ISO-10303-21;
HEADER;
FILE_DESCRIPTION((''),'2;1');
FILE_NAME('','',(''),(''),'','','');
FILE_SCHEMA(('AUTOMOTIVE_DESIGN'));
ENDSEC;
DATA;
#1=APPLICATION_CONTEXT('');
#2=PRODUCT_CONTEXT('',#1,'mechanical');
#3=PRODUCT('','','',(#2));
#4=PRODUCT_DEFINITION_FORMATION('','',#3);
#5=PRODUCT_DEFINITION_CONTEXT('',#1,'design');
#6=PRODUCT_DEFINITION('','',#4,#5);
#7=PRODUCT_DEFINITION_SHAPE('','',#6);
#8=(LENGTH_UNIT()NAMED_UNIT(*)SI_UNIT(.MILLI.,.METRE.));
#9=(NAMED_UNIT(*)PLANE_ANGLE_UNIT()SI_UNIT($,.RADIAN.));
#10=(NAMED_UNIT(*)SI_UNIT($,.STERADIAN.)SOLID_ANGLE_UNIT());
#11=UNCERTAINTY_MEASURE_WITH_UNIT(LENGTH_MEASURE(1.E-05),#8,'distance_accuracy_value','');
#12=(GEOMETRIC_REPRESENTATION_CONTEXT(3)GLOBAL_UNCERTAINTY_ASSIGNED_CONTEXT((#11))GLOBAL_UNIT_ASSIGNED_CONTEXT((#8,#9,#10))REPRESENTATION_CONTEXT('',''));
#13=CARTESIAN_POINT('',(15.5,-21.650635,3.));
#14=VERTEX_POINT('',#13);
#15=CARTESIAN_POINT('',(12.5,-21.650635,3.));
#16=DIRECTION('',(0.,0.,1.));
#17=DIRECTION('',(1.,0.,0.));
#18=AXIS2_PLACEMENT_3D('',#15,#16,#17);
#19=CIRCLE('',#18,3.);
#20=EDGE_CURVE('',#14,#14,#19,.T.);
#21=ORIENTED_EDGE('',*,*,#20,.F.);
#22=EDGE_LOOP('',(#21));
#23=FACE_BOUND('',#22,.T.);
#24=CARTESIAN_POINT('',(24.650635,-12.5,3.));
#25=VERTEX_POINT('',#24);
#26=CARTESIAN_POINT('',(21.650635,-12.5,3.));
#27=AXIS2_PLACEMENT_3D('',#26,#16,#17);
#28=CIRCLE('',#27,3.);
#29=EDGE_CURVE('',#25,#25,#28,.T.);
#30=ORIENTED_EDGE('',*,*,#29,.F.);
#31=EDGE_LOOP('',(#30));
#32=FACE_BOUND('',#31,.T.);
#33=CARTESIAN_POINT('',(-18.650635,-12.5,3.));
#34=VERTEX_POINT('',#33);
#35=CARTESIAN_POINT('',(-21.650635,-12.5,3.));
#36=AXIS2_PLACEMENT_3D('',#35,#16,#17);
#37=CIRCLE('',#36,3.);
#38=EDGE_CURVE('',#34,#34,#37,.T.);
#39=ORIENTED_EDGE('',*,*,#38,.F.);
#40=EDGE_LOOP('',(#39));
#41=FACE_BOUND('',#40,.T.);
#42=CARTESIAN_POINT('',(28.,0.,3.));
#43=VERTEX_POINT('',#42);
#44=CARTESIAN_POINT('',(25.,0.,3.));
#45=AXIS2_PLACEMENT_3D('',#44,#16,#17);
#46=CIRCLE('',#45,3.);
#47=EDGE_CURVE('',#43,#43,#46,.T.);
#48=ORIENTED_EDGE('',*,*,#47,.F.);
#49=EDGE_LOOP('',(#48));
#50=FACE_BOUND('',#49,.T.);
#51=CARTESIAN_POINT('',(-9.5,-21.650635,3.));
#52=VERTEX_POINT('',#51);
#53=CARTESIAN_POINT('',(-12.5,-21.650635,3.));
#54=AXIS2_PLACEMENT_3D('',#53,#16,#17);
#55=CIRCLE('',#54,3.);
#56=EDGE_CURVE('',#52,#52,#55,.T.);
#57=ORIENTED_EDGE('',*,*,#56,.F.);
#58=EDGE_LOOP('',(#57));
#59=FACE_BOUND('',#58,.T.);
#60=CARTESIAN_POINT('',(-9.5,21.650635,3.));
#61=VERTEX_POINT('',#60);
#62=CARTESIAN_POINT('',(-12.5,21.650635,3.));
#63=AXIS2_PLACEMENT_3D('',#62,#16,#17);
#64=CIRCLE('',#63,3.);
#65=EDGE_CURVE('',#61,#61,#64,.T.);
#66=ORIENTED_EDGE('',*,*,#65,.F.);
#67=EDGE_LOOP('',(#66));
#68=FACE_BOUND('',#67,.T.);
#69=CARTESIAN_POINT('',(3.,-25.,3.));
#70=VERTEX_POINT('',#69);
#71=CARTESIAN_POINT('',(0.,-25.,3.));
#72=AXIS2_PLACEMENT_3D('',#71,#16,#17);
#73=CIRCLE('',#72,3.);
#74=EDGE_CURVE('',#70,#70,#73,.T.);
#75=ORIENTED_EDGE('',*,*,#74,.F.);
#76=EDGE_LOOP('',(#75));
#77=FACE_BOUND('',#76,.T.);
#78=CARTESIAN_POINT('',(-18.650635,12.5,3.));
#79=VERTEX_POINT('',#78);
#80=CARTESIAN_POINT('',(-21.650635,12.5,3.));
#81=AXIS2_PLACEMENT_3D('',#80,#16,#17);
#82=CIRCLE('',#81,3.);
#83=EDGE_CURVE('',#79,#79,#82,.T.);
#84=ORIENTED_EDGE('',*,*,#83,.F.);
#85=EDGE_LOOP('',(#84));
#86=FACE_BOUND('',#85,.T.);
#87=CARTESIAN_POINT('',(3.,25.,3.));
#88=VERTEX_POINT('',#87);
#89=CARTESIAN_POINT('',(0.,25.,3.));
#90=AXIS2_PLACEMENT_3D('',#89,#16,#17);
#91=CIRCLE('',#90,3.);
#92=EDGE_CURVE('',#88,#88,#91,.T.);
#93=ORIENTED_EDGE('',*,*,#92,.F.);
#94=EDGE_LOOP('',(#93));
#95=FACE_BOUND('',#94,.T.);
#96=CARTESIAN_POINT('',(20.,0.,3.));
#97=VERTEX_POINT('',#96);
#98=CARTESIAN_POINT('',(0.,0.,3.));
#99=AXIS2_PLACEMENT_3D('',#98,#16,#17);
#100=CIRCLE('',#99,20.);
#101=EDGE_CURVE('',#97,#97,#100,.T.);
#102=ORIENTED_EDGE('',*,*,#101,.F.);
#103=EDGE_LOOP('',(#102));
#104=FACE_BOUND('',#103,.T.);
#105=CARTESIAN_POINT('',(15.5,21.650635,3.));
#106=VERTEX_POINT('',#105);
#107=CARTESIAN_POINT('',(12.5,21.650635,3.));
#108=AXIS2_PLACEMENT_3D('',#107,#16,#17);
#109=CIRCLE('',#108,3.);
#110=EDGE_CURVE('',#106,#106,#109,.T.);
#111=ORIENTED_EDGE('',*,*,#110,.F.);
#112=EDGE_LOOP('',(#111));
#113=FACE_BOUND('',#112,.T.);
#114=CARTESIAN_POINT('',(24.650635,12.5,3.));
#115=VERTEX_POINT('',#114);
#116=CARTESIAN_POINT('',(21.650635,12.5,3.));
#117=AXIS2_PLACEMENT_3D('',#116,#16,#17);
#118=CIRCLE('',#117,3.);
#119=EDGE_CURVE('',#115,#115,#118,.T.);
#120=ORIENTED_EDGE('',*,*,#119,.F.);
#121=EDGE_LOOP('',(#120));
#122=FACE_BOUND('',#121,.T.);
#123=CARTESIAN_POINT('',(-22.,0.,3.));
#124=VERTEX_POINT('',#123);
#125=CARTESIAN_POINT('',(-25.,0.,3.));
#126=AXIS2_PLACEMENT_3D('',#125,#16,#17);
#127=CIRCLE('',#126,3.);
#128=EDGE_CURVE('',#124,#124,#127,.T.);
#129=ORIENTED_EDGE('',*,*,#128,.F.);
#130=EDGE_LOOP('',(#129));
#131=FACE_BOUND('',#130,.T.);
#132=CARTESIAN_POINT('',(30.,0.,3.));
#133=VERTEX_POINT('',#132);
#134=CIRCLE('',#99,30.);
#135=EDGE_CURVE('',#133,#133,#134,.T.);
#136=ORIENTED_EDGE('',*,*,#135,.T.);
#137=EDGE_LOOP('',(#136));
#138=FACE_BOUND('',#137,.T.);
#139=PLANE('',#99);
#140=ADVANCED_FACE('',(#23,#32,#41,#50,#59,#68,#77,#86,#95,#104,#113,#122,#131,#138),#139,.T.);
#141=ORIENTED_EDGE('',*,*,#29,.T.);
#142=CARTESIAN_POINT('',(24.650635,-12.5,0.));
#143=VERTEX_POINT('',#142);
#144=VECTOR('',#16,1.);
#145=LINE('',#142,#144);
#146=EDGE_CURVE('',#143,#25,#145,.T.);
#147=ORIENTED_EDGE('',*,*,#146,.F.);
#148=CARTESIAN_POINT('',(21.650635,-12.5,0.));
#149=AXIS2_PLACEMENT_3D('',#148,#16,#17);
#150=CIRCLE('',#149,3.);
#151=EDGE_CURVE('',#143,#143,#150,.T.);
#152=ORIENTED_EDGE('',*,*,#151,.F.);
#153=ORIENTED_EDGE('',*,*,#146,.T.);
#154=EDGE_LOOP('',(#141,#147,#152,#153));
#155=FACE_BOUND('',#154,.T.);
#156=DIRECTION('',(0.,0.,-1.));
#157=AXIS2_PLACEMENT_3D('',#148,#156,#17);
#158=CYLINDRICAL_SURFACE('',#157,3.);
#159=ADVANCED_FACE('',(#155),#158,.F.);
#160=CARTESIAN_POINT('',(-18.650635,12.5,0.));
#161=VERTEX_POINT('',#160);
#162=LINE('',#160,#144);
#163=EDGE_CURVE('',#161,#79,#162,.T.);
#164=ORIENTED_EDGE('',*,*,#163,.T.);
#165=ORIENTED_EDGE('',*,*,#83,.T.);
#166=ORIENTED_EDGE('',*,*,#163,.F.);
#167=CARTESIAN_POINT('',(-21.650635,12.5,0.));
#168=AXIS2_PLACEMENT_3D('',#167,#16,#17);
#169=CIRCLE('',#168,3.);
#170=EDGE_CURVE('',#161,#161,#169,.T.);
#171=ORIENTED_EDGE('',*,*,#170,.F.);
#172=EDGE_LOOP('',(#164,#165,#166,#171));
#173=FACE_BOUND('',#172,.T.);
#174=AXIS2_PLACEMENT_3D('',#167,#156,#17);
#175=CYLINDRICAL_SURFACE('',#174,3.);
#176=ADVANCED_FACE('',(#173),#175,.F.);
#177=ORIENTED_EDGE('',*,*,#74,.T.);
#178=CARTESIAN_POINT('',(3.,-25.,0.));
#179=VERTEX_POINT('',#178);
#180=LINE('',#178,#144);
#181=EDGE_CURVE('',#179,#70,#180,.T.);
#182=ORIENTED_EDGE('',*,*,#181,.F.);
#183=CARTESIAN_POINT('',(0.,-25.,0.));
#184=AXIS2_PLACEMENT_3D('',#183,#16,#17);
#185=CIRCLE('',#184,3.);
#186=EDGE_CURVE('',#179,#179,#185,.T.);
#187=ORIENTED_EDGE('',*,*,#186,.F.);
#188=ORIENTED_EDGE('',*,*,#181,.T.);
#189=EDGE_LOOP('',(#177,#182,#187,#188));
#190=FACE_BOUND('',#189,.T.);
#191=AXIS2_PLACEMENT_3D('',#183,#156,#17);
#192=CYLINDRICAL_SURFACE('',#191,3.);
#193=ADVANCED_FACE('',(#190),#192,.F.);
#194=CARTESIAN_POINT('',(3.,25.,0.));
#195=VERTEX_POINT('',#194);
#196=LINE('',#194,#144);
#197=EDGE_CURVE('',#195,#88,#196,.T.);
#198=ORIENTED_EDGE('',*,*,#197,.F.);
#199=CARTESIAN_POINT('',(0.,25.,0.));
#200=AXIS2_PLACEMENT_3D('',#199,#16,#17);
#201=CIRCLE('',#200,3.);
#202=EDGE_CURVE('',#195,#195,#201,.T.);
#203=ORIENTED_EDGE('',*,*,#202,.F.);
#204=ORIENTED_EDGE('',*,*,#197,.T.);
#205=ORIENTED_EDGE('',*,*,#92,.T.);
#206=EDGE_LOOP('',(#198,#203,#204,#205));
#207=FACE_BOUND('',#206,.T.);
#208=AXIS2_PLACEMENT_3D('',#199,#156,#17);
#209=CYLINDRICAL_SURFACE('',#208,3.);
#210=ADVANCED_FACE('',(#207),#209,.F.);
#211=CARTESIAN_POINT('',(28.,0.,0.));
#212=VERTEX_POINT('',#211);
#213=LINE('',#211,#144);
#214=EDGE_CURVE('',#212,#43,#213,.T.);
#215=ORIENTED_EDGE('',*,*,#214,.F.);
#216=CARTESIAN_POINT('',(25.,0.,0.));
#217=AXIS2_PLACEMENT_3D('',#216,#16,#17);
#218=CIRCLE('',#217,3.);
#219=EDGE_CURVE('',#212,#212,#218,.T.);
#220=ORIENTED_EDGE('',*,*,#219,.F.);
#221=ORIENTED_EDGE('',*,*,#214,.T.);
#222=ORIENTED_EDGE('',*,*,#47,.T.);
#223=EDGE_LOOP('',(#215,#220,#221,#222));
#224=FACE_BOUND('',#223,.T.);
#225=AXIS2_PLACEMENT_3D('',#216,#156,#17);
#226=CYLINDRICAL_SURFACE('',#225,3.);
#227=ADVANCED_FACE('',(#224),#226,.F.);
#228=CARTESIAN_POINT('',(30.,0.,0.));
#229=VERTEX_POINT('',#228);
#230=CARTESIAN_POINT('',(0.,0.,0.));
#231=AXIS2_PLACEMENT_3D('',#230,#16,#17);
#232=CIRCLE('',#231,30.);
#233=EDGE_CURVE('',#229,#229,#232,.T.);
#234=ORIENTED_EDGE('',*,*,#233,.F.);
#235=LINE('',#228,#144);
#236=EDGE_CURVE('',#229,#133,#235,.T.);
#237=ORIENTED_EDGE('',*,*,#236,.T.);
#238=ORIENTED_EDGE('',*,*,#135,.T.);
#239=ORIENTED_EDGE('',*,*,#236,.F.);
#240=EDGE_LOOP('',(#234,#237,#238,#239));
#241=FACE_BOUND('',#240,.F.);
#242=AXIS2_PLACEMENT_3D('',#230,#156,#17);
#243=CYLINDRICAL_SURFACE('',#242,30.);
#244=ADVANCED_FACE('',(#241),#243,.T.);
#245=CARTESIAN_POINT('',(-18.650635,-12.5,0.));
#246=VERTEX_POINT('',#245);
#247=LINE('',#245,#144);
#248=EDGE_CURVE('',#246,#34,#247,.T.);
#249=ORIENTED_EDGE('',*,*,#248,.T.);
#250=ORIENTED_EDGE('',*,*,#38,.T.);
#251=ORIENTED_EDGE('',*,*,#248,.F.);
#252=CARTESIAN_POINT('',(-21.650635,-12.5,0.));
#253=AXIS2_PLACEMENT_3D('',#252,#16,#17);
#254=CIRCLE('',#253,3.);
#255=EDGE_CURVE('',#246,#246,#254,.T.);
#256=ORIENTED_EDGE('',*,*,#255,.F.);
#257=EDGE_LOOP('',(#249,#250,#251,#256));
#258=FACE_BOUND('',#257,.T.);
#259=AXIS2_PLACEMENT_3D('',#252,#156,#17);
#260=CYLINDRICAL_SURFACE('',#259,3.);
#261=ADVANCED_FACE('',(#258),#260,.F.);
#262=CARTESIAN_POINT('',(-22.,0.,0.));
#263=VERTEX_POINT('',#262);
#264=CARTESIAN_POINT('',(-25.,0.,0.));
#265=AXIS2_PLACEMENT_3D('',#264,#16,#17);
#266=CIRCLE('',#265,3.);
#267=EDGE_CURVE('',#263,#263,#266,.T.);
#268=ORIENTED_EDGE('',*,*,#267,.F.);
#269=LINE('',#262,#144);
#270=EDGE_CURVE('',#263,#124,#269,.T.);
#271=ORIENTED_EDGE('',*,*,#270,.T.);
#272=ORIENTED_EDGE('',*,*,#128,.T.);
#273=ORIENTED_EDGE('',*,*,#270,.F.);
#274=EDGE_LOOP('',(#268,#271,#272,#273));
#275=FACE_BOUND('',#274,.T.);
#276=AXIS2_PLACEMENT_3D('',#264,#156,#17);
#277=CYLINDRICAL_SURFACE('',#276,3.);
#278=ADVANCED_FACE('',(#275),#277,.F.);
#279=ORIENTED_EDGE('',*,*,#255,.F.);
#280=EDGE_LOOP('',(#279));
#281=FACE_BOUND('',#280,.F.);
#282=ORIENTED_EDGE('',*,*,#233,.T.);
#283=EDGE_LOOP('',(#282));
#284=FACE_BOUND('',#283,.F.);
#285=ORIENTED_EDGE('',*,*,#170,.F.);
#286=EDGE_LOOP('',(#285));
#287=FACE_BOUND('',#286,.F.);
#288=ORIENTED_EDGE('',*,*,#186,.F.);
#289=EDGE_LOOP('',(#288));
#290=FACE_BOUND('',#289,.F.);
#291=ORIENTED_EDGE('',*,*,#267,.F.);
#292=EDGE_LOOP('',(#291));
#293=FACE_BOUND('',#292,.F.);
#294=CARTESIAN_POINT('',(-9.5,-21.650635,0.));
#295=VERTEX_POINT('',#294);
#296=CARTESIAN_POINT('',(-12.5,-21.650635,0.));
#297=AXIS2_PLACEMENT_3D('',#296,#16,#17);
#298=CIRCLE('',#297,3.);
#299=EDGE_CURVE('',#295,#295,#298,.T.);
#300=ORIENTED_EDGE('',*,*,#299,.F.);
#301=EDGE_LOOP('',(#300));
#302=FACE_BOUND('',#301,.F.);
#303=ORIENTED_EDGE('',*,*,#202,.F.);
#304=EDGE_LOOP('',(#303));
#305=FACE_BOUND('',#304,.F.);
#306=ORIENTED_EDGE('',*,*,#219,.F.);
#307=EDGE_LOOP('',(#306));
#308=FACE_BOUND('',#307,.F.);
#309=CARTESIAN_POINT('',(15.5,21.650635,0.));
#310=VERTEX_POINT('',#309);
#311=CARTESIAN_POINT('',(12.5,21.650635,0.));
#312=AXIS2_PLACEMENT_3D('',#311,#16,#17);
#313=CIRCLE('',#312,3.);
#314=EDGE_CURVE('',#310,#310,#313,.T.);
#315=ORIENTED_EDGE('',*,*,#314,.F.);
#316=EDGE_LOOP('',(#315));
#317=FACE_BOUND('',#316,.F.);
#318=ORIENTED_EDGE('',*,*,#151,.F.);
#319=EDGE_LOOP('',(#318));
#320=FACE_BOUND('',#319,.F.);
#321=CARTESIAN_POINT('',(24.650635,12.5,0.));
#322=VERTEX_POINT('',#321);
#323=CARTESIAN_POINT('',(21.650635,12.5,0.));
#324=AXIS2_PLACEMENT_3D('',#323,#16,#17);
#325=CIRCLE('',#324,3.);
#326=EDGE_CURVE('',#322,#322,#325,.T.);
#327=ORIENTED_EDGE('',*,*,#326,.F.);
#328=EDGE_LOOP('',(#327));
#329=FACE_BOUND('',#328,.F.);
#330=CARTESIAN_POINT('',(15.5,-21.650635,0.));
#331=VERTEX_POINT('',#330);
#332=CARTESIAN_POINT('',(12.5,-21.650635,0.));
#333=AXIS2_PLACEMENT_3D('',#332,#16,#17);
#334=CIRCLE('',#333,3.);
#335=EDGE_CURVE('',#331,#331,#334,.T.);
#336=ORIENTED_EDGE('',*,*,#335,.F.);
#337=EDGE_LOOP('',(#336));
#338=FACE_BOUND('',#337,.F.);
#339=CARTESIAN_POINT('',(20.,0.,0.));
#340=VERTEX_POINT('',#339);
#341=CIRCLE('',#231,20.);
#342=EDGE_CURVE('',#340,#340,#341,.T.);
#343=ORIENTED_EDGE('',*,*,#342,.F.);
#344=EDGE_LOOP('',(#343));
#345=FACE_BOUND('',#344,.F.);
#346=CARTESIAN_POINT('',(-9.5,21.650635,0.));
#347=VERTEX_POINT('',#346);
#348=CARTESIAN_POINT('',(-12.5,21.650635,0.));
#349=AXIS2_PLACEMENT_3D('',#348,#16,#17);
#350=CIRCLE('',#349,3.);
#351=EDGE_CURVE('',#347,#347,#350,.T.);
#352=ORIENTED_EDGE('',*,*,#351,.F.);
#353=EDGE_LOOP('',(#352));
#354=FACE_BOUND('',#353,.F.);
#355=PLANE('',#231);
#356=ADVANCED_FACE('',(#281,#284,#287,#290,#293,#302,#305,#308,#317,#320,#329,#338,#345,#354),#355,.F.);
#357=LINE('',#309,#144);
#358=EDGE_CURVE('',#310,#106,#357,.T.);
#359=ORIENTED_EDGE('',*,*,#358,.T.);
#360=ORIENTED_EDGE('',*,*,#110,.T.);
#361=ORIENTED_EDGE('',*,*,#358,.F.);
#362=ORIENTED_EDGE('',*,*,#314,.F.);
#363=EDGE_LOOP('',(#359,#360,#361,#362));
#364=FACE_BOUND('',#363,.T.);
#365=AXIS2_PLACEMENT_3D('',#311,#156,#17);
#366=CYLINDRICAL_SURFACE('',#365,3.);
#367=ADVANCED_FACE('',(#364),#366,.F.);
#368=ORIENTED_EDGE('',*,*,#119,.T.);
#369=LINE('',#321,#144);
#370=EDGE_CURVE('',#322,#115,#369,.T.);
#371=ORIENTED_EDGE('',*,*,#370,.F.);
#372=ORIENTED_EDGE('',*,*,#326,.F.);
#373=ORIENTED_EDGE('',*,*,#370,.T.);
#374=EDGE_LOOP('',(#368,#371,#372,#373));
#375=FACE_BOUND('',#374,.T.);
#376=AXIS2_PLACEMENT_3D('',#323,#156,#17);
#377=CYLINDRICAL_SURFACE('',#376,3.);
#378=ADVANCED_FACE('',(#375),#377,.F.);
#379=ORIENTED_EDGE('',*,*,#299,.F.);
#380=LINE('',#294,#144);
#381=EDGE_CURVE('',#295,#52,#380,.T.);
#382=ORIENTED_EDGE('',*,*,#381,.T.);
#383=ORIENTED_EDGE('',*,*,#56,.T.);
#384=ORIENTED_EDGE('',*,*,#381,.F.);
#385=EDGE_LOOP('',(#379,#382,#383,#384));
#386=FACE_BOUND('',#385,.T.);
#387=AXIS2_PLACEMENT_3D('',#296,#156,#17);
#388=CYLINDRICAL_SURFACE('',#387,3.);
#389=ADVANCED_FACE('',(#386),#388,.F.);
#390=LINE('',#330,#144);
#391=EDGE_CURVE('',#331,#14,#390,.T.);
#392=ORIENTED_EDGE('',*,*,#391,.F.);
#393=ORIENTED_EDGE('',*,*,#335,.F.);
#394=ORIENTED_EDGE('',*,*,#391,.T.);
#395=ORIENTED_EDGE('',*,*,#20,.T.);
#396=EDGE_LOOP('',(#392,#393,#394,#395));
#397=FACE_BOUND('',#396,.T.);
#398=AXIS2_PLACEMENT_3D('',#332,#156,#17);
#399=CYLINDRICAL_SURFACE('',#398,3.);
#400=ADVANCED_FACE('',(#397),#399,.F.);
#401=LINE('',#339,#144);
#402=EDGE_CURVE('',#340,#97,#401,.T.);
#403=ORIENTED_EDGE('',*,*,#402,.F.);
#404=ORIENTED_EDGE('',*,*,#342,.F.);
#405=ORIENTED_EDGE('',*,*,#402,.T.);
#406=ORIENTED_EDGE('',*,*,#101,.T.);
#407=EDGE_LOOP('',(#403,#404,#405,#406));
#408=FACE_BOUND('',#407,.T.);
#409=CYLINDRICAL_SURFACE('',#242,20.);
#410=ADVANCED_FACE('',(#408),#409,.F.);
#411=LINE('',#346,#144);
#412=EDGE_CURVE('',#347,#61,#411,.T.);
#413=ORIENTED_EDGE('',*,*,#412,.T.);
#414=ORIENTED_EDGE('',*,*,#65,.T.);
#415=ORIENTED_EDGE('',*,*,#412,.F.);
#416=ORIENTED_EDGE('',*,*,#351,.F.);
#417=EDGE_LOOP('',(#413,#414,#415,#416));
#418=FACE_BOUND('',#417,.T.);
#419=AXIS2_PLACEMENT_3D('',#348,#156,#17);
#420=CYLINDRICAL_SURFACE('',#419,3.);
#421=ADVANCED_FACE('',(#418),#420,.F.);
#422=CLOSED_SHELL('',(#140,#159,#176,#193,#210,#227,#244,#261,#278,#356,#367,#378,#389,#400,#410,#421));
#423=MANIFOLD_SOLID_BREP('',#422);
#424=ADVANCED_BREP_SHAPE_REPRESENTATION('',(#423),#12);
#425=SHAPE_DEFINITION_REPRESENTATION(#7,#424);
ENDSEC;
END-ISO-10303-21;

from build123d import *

# Parameters (mm, degrees)
F0_R     = 30
F0_R_2   = 3
F0_R_3   = 20
F1_DEPTH = 3


with BuildPart() as f1:
    # F0 (on Top) → F1 (new body)
    with BuildSketch(Plane.XY):
        Circle(F0_R)
        with Locations((-12.5, -21.650635)):
            Circle(F0_R_2, mode=Mode.SUBTRACT)
        with Locations((-21.650635, -12.5)):
            Circle(F0_R_2, mode=Mode.SUBTRACT)
        with Locations((0, -25)):
            Circle(F0_R_2, mode=Mode.SUBTRACT)
        with Locations((12.5, -21.650635)):
            Circle(F0_R_2, mode=Mode.SUBTRACT)
        with Locations((21.650635, -12.5)):
            Circle(F0_R_2, mode=Mode.SUBTRACT)
        with Locations((-25, 0)):
            Circle(F0_R_2, mode=Mode.SUBTRACT)
        with Locations((-21.650635, 12.5)):
            Circle(F0_R_2, mode=Mode.SUBTRACT)
        with Locations((-12.5, 21.650635)):
            Circle(F0_R_2, mode=Mode.SUBTRACT)
        Circle(F0_R_3, mode=Mode.SUBTRACT)
        with Locations((25, 0)):
            Circle(F0_R_2, mode=Mode.SUBTRACT)
        with Locations((21.650635, 12.5)):
            Circle(F0_R_2, mode=Mode.SUBTRACT)
        with Locations((12.5, 21.650635)):
            Circle(F0_R_2, mode=Mode.SUBTRACT)
        with Locations((0, 25)):
            Circle(F0_R_2, mode=Mode.SUBTRACT)
    extrude(amount=F1_DEPTH)


solid = f1.part
